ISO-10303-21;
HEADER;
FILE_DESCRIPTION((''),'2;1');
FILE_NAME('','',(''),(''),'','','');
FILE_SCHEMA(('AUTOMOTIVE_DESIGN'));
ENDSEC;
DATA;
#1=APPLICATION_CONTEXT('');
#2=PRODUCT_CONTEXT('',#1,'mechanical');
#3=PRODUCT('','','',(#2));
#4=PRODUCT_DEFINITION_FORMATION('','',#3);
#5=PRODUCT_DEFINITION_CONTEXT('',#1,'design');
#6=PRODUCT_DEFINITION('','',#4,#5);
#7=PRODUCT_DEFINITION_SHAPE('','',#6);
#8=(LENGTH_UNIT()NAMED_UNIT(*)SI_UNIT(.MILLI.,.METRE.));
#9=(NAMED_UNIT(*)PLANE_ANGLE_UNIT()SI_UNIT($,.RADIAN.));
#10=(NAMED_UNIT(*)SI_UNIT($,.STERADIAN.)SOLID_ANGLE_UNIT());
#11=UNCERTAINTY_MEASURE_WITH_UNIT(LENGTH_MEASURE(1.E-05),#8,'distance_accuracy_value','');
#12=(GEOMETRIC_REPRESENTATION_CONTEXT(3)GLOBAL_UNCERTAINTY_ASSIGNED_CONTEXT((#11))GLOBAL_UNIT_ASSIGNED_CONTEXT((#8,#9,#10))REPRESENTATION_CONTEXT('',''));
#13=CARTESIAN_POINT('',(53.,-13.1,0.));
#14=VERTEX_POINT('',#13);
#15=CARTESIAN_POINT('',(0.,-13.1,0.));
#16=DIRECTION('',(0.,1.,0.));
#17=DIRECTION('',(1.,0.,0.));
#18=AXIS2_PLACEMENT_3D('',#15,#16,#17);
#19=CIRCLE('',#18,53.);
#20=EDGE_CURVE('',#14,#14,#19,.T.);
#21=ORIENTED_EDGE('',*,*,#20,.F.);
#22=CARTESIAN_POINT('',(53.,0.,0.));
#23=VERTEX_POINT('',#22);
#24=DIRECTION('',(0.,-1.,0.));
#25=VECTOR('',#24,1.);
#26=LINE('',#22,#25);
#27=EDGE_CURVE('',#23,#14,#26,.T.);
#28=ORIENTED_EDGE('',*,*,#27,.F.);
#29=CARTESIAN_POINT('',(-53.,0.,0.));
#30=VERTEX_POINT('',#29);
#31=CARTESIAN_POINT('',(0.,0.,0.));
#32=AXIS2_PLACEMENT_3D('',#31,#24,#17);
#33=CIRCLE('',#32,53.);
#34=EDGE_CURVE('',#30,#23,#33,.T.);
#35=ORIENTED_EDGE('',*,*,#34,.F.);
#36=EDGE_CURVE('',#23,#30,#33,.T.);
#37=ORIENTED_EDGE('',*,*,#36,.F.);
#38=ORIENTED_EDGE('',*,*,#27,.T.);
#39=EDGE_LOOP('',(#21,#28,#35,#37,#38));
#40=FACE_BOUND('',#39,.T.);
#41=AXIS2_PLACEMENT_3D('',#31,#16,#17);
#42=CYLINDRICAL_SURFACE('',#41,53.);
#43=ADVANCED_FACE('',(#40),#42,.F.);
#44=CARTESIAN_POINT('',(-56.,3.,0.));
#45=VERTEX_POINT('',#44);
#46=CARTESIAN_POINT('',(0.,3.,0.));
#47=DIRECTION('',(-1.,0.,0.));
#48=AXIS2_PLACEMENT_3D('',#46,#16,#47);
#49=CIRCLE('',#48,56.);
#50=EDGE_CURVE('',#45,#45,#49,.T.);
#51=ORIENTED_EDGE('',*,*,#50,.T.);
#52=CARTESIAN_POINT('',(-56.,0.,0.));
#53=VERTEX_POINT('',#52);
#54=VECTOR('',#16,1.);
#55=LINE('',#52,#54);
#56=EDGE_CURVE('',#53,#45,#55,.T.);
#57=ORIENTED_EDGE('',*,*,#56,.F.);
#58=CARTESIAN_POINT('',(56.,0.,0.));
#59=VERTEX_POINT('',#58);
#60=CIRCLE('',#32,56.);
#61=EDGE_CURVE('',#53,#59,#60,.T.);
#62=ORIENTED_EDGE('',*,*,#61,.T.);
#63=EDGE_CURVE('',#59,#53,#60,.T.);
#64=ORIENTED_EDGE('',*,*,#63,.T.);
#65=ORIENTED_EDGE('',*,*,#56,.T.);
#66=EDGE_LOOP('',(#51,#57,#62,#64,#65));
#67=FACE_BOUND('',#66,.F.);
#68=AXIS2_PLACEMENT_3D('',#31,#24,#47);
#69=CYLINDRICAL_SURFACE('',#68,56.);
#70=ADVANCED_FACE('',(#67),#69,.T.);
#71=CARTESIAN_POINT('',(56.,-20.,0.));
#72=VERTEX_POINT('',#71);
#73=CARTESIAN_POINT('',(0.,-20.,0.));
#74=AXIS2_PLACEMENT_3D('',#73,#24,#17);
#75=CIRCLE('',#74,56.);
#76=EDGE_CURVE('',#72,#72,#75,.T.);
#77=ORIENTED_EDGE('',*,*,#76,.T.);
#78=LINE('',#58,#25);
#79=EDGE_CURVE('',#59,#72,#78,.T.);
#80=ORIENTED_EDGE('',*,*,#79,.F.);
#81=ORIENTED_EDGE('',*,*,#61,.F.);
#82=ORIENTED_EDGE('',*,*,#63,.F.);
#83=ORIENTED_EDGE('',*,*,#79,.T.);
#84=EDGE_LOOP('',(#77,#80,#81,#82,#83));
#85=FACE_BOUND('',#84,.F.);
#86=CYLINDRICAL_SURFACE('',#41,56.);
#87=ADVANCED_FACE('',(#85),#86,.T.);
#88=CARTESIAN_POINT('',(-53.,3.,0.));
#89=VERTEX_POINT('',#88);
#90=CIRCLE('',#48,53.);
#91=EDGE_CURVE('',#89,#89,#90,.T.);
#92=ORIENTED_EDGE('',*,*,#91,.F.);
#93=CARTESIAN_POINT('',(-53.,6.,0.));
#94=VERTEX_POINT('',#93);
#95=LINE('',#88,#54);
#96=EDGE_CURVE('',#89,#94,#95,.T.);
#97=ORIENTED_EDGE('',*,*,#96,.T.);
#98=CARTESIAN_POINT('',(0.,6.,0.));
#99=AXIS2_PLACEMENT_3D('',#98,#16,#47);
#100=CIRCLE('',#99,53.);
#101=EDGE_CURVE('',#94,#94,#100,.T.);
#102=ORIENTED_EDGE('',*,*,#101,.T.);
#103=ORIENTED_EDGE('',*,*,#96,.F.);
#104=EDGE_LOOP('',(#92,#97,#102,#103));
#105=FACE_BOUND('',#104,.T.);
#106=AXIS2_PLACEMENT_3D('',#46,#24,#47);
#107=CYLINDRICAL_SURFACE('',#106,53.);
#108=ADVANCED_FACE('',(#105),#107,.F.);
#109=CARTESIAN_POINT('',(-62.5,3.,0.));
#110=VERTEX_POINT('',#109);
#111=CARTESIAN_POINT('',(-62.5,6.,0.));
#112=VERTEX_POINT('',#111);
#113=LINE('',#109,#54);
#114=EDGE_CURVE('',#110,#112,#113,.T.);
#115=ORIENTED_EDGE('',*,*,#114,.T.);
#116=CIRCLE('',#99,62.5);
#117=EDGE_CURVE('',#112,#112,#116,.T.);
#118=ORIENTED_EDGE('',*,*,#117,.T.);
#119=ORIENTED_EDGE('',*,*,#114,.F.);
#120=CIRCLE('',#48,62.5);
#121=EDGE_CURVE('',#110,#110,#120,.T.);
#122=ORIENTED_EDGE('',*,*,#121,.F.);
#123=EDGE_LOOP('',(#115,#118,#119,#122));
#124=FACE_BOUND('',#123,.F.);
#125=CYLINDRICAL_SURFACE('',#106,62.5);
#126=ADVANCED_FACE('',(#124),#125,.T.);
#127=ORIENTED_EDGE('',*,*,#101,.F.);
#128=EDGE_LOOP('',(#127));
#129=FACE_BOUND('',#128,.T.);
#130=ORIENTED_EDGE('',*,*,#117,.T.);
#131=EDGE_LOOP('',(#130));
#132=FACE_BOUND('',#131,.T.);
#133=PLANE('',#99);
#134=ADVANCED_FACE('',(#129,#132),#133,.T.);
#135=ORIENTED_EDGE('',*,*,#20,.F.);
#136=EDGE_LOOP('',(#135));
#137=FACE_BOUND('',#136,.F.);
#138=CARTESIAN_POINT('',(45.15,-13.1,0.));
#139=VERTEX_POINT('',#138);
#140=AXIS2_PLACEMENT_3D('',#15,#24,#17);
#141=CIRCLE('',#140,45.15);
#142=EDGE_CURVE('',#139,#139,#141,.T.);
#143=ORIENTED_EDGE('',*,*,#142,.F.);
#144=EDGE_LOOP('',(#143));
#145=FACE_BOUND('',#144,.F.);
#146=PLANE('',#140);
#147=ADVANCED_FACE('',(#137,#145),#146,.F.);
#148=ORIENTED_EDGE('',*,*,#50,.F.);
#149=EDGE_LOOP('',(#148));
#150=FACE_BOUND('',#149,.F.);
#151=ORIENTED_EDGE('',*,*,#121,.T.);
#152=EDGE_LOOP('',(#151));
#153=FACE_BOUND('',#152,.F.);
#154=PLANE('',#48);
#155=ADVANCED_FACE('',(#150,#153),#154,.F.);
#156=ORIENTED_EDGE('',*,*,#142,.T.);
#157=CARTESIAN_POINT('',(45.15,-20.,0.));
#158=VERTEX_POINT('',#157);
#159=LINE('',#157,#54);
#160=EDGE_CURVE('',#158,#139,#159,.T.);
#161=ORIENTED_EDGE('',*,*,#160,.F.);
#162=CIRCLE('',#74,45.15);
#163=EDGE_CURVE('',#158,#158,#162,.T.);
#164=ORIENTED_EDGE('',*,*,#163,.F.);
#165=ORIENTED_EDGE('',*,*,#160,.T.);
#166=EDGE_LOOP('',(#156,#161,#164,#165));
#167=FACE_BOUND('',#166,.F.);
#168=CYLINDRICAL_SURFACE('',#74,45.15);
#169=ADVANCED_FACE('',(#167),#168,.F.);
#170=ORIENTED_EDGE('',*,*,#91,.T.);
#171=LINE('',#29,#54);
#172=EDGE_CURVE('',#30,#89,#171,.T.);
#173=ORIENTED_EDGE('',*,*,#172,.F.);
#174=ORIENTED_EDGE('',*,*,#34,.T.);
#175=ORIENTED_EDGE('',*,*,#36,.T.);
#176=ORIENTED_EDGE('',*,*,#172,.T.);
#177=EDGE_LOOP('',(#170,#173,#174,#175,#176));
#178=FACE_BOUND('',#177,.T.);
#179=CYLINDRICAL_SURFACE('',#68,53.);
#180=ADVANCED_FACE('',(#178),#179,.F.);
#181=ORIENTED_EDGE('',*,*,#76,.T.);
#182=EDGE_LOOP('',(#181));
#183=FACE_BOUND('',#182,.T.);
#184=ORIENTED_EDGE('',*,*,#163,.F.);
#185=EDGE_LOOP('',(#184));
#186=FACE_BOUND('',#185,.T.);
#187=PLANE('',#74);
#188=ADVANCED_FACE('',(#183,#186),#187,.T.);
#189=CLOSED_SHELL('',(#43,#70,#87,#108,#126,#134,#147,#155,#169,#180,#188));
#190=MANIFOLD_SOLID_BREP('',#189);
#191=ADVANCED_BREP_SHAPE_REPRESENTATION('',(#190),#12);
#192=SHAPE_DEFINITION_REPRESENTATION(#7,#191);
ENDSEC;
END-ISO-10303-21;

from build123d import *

# Parameters (mm, degrees)
F0_R     = 56
F0_R_2   = 53
F1_DEPTH = 20
F2_R     = 56
F2_R_2   = 45.15
F3_DEPTH = 6.9
F4_R     = 56
F4_R_2   = 53
F5_DEPTH = 3
F6_R     = 62.5
F6_R_2   = 53
F7_DEPTH = 3


with BuildPart() as f1:
    # F0 (on Front) → F1 (new body)
    with BuildSketch(Plane.XZ):
        Circle(F0_R)
        Circle(F0_R_2, mode=Mode.SUBTRACT)
    extrude(amount=F1_DEPTH)

    # F2 (on face) → F3 (join)
    with BuildSketch(Plane.XZ.offset(20)):
        Circle(F2_R)
        Circle(F2_R_2, mode=Mode.SUBTRACT)
    extrude(amount=-F3_DEPTH)

    # F4 (on face) → F5 (join)
    with BuildSketch(Plane(origin=(0, 0, 0), x_dir=(-1, 0, 0), z_dir=(0, 1, 0))):
        Circle(F4_R)
        Circle(F4_R_2, mode=Mode.SUBTRACT)
    extrude(amount=F5_DEPTH)

    # F6 (on face) → F7 (join)
    with BuildSketch(Plane(origin=(0, 3, 0), x_dir=(-1, 0, 0), z_dir=(0, 1, 0))):
        Circle(F6_R)
        Circle(F6_R_2, mode=Mode.SUBTRACT)
    extrude(amount=F7_DEPTH)


solid = f1.part
